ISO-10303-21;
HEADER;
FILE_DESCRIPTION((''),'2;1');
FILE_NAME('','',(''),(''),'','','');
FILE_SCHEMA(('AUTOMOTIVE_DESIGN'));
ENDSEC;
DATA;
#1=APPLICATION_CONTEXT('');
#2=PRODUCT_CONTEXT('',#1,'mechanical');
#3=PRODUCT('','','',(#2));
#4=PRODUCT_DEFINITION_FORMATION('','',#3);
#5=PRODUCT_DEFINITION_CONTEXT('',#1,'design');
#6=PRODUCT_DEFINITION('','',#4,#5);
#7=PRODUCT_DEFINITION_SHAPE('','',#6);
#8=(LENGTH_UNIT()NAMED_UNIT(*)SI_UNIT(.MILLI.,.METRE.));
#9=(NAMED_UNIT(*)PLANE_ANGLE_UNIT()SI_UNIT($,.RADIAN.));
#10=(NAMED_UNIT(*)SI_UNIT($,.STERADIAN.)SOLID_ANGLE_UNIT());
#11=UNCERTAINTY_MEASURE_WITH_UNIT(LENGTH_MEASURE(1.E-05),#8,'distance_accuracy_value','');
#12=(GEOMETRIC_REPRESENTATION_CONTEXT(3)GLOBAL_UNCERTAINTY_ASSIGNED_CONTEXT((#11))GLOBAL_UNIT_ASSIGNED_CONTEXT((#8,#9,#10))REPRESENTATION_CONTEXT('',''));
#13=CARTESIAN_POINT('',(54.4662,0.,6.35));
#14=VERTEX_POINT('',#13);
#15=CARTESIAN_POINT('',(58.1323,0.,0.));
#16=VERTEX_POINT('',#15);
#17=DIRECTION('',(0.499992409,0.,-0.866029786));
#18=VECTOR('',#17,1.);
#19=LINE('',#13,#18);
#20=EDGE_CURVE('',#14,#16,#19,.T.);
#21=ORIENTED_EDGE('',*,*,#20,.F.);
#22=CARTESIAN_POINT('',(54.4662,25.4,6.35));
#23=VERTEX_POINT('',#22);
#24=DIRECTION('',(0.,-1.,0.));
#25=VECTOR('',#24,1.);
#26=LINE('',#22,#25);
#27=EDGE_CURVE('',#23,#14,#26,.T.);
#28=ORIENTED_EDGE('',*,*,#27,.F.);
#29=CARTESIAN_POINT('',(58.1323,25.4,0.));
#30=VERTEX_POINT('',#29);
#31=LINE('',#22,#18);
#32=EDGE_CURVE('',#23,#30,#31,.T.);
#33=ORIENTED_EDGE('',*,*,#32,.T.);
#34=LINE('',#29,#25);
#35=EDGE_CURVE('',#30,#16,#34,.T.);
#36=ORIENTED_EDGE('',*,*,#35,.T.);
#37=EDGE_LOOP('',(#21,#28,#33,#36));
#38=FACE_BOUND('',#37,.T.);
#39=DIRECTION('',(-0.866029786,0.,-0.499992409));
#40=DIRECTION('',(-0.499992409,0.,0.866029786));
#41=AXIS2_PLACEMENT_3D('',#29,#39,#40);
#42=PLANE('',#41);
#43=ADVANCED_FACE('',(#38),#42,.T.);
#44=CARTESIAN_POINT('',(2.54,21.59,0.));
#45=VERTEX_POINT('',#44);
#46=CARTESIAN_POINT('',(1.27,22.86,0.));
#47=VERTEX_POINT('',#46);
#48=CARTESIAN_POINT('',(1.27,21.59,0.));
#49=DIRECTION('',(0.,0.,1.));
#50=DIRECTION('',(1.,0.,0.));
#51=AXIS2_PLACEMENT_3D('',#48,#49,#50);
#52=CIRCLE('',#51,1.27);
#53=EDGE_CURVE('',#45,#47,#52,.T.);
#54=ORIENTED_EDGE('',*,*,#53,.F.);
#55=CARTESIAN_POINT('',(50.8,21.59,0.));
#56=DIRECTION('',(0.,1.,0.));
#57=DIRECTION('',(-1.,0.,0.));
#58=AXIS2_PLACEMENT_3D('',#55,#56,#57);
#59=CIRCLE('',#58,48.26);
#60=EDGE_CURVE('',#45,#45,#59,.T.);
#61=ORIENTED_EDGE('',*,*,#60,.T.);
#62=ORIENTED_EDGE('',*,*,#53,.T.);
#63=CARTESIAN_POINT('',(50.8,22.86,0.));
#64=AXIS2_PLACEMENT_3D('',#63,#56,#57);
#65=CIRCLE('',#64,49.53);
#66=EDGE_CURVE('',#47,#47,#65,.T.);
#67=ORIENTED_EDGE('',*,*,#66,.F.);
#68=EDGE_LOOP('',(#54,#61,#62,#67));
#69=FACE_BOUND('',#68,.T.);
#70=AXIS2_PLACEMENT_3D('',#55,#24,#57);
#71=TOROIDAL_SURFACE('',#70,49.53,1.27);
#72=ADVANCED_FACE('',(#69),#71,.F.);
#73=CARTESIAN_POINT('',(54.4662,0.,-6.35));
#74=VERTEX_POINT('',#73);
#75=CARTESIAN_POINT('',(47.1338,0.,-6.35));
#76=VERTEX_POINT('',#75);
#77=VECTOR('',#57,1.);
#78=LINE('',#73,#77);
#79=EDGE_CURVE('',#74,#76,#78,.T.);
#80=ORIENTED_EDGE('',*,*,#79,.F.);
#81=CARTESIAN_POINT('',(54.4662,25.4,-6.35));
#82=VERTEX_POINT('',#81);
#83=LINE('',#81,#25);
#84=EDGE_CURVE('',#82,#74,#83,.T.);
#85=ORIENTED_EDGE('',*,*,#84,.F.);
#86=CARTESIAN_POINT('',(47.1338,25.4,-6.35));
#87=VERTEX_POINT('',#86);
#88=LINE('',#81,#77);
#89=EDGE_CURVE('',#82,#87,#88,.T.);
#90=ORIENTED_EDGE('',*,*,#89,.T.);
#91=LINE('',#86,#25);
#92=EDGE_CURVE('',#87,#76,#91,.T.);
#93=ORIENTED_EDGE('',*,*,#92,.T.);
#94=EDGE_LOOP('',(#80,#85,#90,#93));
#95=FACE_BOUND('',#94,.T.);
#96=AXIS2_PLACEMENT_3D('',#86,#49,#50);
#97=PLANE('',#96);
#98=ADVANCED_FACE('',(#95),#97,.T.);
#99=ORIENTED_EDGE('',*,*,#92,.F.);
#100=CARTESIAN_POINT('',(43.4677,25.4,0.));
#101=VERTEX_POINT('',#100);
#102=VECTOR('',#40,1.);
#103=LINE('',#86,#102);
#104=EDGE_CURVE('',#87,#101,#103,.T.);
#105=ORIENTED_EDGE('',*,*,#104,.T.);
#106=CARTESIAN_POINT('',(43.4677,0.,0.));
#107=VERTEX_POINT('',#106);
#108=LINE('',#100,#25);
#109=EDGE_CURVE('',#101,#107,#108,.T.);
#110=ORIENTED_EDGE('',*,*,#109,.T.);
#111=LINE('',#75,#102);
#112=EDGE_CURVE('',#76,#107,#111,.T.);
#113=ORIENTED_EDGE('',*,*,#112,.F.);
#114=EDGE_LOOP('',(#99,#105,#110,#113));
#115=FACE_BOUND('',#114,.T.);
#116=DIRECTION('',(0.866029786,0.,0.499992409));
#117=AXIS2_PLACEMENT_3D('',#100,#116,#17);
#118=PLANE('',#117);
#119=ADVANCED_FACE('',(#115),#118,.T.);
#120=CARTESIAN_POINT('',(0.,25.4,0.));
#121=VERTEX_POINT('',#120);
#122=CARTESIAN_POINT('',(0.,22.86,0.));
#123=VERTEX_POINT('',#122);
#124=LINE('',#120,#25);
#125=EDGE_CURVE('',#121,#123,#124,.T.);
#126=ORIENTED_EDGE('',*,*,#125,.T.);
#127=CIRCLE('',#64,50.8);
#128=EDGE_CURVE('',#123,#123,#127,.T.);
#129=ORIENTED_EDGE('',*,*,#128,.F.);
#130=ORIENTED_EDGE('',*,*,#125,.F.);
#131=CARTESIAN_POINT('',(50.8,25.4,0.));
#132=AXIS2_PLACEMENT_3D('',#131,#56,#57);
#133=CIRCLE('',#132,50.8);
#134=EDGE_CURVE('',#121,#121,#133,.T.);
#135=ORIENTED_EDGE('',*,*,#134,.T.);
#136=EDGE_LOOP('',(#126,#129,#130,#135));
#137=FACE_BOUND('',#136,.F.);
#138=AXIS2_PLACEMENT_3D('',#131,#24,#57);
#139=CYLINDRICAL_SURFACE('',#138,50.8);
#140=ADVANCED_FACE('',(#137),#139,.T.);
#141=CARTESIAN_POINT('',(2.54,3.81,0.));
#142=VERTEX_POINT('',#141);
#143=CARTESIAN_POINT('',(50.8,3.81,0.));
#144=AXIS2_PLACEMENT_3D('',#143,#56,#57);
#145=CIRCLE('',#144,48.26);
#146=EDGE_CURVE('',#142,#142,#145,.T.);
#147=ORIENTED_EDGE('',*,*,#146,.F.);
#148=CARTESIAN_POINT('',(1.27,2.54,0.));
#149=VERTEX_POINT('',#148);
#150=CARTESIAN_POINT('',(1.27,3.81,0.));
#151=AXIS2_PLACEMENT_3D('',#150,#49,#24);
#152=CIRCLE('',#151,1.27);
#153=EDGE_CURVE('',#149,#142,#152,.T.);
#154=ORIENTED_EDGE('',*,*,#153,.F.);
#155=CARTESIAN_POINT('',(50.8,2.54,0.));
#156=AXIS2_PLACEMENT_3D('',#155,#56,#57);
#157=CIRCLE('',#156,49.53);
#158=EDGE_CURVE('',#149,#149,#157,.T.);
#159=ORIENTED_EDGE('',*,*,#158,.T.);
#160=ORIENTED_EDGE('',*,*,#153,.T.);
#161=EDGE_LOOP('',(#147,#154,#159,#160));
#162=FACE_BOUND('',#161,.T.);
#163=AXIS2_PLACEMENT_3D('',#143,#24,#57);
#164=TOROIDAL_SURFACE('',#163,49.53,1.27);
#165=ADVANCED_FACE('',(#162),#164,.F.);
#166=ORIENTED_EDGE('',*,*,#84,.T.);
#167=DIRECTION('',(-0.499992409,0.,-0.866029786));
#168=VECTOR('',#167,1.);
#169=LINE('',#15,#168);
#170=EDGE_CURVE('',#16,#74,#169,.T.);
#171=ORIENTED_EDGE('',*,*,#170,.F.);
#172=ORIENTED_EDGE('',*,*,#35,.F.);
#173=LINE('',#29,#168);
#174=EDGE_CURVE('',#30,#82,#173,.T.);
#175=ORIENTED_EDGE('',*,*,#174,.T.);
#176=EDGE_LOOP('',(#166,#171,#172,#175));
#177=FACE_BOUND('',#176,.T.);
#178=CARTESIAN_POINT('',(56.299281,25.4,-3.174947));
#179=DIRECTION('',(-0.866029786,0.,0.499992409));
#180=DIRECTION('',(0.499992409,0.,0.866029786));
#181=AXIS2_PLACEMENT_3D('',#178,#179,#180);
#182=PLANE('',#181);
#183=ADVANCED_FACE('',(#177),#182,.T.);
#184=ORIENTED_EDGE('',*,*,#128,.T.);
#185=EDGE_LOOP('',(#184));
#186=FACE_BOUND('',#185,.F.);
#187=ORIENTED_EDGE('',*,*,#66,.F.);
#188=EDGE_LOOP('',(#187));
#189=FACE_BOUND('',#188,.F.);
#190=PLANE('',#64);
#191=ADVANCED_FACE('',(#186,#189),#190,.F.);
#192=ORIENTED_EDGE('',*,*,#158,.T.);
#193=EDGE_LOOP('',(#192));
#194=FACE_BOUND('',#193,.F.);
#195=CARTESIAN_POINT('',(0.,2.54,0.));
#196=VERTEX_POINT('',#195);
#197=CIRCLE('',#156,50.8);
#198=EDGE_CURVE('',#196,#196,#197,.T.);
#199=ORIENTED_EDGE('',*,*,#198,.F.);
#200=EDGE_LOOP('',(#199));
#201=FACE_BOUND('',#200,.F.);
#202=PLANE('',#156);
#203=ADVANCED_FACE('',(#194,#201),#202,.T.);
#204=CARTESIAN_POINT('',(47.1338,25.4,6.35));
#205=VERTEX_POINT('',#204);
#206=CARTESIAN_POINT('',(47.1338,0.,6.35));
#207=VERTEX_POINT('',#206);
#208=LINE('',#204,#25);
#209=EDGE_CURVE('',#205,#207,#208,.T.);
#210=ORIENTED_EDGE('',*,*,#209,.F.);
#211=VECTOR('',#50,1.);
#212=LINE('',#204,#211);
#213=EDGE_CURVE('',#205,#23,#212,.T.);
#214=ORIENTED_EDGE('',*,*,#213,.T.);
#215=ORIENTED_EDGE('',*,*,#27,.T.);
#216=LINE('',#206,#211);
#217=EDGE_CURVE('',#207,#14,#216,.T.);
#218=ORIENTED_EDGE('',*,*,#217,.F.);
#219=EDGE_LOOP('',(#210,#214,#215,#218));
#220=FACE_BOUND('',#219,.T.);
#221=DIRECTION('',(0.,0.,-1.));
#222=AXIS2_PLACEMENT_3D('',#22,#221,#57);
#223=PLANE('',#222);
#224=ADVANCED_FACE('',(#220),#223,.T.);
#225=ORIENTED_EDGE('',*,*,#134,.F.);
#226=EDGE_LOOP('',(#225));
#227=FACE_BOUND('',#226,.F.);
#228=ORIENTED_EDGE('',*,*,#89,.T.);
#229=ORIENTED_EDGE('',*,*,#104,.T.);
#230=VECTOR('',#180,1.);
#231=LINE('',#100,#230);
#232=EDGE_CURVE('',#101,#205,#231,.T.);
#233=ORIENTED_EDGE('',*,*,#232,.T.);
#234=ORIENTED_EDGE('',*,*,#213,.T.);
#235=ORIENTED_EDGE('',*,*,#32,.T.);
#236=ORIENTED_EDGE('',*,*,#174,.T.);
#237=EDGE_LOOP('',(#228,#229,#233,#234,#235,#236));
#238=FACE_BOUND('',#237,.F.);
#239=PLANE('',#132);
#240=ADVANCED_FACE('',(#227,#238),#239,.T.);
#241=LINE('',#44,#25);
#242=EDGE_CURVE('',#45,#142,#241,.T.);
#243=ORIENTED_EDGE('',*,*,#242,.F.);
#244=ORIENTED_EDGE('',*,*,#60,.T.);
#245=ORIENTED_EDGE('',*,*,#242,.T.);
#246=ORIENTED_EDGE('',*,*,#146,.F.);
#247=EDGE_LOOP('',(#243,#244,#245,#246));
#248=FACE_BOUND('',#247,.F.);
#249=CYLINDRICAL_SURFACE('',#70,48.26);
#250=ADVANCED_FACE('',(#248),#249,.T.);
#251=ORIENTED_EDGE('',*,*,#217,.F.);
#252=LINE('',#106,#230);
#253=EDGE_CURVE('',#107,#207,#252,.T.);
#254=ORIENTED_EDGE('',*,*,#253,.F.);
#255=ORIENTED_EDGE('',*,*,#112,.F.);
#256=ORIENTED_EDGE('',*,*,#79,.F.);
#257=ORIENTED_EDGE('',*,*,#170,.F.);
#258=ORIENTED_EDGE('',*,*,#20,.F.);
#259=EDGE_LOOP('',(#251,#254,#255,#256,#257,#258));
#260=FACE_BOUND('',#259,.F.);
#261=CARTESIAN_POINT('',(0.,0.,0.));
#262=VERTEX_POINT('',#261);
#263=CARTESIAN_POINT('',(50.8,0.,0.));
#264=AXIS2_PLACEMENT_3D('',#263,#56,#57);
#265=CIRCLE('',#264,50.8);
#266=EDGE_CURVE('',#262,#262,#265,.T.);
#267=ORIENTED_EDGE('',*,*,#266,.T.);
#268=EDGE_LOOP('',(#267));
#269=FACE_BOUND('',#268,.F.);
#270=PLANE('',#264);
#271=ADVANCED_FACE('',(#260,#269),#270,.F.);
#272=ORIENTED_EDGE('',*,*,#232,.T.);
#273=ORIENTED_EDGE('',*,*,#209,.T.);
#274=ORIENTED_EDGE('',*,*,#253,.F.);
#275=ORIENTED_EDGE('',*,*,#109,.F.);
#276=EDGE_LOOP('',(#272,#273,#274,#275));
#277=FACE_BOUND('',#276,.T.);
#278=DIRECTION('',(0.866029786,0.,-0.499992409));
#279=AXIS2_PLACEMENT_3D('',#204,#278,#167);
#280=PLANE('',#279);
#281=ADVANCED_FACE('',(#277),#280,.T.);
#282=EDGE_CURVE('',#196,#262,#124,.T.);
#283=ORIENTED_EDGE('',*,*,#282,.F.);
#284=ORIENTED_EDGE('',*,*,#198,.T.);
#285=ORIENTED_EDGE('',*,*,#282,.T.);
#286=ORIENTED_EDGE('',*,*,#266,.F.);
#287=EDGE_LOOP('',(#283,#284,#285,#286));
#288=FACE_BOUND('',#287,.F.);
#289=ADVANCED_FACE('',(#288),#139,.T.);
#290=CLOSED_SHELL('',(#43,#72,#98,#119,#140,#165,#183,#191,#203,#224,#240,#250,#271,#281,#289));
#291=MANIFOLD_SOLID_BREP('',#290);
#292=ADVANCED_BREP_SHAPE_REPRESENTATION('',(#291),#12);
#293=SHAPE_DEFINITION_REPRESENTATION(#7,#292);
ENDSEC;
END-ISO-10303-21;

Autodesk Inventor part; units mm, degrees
ref_plane "YZ Plane" through (0, 0, 0) normal (1, 0, 0) x (0, 1, 0)
ref_plane "XZ Plane" through (0, 0, 0) normal (0, 1, 0) x (-1, 0, 0)
ref_plane "XY Plane" through (0, 0, 0) normal (0, 0, 1) x (1, 0, 0)
sketch "Sketch1" plane through (0, 0, 0) normal (0, 0, 1) x (1, 0, 0)
  line L0 (0, 0) -> (50.8, 0)
  line L1 (50.8, 0) -> (50.8, 25.4)
  line L2 (50.8, 25.4) -> (0, 25.4)
  line L3 (0, 25.4) -> (0, 0)
  line L4 (0, 22.86) -> (1.27, 22.86)
  line L5 (2.54, 21.59) -> (2.54, 3.81)
  line L6 (1.27, 2.54) -> (0, 2.54)
  arc A0 (2.54, 21.59) -> (1.27, 22.86) centre (1.27, 21.59) ccw
  arc A1 (1.27, 2.54) -> (2.54, 3.81) centre (1.27, 3.81) ccw
  point P0 (0.635, 22.86)
  point P1 (0.635, 2.54)
  point P2 (41.91, 0)
  point P3 (41.91, 25.4)
  dimension "d0" = 50.8
  dimension "d1" = 25.4
  dimension "d2" = 2.54
  dimension "d3" = 2.54
  dimension "d4" = 2.54
  dimension "d5" = 1.27
revolve "Revolution1" add sketch "Sketch1" angle 360 about axis through (50.8, 0, 0) along (0, 1, 0) contours L3 L6 A1 L5 A0 L4 L2 L1 L0
sketch "Sketch2" plane through (50.8, 25.4, 0) normal (0, 1, 0) x (1, 0, 0)
  circle A0 centre (0, 0) radius 50.8 projected
  point P0 (-50.8, 0)
sketch "Sketch3" plane through (50.8, 25.4, 0) normal (0, 1, 0) x (1, 0, 0)
  circle A0 centre (0, 0) radius 6.35
  circle A1 centre (0, 0) radius 50.8 projected
  line L0 (3.6662, 6.35) -> (7.3323, 0)
  line L1 (7.3323, 0) -> (3.6662, -6.35)
  line L2 (3.6662, -6.35) -> (-3.6662, -6.35)
  line L3 (-3.6662, -6.35) -> (-7.3323, 0)
  line L4 (-7.3323, 0) -> (-3.6662, 6.35)
  line L5 (-3.6662, 6.35) -> (3.6662, 6.35)
  point P0 (-50.8, 0)
  point P1 (0, 6.35)
  dimension "d9" = 12.7
extrude "Extrusion1" cut sketch "Sketch3" against normal blind 25.4 contours A0 | A0 L0 L1 | A0 L5 L0 | L1 L2 A0 | A0 L4 L5 | L2 L3 A0 | A0 L3 L4
properties part number "4-bar intake () pully"
